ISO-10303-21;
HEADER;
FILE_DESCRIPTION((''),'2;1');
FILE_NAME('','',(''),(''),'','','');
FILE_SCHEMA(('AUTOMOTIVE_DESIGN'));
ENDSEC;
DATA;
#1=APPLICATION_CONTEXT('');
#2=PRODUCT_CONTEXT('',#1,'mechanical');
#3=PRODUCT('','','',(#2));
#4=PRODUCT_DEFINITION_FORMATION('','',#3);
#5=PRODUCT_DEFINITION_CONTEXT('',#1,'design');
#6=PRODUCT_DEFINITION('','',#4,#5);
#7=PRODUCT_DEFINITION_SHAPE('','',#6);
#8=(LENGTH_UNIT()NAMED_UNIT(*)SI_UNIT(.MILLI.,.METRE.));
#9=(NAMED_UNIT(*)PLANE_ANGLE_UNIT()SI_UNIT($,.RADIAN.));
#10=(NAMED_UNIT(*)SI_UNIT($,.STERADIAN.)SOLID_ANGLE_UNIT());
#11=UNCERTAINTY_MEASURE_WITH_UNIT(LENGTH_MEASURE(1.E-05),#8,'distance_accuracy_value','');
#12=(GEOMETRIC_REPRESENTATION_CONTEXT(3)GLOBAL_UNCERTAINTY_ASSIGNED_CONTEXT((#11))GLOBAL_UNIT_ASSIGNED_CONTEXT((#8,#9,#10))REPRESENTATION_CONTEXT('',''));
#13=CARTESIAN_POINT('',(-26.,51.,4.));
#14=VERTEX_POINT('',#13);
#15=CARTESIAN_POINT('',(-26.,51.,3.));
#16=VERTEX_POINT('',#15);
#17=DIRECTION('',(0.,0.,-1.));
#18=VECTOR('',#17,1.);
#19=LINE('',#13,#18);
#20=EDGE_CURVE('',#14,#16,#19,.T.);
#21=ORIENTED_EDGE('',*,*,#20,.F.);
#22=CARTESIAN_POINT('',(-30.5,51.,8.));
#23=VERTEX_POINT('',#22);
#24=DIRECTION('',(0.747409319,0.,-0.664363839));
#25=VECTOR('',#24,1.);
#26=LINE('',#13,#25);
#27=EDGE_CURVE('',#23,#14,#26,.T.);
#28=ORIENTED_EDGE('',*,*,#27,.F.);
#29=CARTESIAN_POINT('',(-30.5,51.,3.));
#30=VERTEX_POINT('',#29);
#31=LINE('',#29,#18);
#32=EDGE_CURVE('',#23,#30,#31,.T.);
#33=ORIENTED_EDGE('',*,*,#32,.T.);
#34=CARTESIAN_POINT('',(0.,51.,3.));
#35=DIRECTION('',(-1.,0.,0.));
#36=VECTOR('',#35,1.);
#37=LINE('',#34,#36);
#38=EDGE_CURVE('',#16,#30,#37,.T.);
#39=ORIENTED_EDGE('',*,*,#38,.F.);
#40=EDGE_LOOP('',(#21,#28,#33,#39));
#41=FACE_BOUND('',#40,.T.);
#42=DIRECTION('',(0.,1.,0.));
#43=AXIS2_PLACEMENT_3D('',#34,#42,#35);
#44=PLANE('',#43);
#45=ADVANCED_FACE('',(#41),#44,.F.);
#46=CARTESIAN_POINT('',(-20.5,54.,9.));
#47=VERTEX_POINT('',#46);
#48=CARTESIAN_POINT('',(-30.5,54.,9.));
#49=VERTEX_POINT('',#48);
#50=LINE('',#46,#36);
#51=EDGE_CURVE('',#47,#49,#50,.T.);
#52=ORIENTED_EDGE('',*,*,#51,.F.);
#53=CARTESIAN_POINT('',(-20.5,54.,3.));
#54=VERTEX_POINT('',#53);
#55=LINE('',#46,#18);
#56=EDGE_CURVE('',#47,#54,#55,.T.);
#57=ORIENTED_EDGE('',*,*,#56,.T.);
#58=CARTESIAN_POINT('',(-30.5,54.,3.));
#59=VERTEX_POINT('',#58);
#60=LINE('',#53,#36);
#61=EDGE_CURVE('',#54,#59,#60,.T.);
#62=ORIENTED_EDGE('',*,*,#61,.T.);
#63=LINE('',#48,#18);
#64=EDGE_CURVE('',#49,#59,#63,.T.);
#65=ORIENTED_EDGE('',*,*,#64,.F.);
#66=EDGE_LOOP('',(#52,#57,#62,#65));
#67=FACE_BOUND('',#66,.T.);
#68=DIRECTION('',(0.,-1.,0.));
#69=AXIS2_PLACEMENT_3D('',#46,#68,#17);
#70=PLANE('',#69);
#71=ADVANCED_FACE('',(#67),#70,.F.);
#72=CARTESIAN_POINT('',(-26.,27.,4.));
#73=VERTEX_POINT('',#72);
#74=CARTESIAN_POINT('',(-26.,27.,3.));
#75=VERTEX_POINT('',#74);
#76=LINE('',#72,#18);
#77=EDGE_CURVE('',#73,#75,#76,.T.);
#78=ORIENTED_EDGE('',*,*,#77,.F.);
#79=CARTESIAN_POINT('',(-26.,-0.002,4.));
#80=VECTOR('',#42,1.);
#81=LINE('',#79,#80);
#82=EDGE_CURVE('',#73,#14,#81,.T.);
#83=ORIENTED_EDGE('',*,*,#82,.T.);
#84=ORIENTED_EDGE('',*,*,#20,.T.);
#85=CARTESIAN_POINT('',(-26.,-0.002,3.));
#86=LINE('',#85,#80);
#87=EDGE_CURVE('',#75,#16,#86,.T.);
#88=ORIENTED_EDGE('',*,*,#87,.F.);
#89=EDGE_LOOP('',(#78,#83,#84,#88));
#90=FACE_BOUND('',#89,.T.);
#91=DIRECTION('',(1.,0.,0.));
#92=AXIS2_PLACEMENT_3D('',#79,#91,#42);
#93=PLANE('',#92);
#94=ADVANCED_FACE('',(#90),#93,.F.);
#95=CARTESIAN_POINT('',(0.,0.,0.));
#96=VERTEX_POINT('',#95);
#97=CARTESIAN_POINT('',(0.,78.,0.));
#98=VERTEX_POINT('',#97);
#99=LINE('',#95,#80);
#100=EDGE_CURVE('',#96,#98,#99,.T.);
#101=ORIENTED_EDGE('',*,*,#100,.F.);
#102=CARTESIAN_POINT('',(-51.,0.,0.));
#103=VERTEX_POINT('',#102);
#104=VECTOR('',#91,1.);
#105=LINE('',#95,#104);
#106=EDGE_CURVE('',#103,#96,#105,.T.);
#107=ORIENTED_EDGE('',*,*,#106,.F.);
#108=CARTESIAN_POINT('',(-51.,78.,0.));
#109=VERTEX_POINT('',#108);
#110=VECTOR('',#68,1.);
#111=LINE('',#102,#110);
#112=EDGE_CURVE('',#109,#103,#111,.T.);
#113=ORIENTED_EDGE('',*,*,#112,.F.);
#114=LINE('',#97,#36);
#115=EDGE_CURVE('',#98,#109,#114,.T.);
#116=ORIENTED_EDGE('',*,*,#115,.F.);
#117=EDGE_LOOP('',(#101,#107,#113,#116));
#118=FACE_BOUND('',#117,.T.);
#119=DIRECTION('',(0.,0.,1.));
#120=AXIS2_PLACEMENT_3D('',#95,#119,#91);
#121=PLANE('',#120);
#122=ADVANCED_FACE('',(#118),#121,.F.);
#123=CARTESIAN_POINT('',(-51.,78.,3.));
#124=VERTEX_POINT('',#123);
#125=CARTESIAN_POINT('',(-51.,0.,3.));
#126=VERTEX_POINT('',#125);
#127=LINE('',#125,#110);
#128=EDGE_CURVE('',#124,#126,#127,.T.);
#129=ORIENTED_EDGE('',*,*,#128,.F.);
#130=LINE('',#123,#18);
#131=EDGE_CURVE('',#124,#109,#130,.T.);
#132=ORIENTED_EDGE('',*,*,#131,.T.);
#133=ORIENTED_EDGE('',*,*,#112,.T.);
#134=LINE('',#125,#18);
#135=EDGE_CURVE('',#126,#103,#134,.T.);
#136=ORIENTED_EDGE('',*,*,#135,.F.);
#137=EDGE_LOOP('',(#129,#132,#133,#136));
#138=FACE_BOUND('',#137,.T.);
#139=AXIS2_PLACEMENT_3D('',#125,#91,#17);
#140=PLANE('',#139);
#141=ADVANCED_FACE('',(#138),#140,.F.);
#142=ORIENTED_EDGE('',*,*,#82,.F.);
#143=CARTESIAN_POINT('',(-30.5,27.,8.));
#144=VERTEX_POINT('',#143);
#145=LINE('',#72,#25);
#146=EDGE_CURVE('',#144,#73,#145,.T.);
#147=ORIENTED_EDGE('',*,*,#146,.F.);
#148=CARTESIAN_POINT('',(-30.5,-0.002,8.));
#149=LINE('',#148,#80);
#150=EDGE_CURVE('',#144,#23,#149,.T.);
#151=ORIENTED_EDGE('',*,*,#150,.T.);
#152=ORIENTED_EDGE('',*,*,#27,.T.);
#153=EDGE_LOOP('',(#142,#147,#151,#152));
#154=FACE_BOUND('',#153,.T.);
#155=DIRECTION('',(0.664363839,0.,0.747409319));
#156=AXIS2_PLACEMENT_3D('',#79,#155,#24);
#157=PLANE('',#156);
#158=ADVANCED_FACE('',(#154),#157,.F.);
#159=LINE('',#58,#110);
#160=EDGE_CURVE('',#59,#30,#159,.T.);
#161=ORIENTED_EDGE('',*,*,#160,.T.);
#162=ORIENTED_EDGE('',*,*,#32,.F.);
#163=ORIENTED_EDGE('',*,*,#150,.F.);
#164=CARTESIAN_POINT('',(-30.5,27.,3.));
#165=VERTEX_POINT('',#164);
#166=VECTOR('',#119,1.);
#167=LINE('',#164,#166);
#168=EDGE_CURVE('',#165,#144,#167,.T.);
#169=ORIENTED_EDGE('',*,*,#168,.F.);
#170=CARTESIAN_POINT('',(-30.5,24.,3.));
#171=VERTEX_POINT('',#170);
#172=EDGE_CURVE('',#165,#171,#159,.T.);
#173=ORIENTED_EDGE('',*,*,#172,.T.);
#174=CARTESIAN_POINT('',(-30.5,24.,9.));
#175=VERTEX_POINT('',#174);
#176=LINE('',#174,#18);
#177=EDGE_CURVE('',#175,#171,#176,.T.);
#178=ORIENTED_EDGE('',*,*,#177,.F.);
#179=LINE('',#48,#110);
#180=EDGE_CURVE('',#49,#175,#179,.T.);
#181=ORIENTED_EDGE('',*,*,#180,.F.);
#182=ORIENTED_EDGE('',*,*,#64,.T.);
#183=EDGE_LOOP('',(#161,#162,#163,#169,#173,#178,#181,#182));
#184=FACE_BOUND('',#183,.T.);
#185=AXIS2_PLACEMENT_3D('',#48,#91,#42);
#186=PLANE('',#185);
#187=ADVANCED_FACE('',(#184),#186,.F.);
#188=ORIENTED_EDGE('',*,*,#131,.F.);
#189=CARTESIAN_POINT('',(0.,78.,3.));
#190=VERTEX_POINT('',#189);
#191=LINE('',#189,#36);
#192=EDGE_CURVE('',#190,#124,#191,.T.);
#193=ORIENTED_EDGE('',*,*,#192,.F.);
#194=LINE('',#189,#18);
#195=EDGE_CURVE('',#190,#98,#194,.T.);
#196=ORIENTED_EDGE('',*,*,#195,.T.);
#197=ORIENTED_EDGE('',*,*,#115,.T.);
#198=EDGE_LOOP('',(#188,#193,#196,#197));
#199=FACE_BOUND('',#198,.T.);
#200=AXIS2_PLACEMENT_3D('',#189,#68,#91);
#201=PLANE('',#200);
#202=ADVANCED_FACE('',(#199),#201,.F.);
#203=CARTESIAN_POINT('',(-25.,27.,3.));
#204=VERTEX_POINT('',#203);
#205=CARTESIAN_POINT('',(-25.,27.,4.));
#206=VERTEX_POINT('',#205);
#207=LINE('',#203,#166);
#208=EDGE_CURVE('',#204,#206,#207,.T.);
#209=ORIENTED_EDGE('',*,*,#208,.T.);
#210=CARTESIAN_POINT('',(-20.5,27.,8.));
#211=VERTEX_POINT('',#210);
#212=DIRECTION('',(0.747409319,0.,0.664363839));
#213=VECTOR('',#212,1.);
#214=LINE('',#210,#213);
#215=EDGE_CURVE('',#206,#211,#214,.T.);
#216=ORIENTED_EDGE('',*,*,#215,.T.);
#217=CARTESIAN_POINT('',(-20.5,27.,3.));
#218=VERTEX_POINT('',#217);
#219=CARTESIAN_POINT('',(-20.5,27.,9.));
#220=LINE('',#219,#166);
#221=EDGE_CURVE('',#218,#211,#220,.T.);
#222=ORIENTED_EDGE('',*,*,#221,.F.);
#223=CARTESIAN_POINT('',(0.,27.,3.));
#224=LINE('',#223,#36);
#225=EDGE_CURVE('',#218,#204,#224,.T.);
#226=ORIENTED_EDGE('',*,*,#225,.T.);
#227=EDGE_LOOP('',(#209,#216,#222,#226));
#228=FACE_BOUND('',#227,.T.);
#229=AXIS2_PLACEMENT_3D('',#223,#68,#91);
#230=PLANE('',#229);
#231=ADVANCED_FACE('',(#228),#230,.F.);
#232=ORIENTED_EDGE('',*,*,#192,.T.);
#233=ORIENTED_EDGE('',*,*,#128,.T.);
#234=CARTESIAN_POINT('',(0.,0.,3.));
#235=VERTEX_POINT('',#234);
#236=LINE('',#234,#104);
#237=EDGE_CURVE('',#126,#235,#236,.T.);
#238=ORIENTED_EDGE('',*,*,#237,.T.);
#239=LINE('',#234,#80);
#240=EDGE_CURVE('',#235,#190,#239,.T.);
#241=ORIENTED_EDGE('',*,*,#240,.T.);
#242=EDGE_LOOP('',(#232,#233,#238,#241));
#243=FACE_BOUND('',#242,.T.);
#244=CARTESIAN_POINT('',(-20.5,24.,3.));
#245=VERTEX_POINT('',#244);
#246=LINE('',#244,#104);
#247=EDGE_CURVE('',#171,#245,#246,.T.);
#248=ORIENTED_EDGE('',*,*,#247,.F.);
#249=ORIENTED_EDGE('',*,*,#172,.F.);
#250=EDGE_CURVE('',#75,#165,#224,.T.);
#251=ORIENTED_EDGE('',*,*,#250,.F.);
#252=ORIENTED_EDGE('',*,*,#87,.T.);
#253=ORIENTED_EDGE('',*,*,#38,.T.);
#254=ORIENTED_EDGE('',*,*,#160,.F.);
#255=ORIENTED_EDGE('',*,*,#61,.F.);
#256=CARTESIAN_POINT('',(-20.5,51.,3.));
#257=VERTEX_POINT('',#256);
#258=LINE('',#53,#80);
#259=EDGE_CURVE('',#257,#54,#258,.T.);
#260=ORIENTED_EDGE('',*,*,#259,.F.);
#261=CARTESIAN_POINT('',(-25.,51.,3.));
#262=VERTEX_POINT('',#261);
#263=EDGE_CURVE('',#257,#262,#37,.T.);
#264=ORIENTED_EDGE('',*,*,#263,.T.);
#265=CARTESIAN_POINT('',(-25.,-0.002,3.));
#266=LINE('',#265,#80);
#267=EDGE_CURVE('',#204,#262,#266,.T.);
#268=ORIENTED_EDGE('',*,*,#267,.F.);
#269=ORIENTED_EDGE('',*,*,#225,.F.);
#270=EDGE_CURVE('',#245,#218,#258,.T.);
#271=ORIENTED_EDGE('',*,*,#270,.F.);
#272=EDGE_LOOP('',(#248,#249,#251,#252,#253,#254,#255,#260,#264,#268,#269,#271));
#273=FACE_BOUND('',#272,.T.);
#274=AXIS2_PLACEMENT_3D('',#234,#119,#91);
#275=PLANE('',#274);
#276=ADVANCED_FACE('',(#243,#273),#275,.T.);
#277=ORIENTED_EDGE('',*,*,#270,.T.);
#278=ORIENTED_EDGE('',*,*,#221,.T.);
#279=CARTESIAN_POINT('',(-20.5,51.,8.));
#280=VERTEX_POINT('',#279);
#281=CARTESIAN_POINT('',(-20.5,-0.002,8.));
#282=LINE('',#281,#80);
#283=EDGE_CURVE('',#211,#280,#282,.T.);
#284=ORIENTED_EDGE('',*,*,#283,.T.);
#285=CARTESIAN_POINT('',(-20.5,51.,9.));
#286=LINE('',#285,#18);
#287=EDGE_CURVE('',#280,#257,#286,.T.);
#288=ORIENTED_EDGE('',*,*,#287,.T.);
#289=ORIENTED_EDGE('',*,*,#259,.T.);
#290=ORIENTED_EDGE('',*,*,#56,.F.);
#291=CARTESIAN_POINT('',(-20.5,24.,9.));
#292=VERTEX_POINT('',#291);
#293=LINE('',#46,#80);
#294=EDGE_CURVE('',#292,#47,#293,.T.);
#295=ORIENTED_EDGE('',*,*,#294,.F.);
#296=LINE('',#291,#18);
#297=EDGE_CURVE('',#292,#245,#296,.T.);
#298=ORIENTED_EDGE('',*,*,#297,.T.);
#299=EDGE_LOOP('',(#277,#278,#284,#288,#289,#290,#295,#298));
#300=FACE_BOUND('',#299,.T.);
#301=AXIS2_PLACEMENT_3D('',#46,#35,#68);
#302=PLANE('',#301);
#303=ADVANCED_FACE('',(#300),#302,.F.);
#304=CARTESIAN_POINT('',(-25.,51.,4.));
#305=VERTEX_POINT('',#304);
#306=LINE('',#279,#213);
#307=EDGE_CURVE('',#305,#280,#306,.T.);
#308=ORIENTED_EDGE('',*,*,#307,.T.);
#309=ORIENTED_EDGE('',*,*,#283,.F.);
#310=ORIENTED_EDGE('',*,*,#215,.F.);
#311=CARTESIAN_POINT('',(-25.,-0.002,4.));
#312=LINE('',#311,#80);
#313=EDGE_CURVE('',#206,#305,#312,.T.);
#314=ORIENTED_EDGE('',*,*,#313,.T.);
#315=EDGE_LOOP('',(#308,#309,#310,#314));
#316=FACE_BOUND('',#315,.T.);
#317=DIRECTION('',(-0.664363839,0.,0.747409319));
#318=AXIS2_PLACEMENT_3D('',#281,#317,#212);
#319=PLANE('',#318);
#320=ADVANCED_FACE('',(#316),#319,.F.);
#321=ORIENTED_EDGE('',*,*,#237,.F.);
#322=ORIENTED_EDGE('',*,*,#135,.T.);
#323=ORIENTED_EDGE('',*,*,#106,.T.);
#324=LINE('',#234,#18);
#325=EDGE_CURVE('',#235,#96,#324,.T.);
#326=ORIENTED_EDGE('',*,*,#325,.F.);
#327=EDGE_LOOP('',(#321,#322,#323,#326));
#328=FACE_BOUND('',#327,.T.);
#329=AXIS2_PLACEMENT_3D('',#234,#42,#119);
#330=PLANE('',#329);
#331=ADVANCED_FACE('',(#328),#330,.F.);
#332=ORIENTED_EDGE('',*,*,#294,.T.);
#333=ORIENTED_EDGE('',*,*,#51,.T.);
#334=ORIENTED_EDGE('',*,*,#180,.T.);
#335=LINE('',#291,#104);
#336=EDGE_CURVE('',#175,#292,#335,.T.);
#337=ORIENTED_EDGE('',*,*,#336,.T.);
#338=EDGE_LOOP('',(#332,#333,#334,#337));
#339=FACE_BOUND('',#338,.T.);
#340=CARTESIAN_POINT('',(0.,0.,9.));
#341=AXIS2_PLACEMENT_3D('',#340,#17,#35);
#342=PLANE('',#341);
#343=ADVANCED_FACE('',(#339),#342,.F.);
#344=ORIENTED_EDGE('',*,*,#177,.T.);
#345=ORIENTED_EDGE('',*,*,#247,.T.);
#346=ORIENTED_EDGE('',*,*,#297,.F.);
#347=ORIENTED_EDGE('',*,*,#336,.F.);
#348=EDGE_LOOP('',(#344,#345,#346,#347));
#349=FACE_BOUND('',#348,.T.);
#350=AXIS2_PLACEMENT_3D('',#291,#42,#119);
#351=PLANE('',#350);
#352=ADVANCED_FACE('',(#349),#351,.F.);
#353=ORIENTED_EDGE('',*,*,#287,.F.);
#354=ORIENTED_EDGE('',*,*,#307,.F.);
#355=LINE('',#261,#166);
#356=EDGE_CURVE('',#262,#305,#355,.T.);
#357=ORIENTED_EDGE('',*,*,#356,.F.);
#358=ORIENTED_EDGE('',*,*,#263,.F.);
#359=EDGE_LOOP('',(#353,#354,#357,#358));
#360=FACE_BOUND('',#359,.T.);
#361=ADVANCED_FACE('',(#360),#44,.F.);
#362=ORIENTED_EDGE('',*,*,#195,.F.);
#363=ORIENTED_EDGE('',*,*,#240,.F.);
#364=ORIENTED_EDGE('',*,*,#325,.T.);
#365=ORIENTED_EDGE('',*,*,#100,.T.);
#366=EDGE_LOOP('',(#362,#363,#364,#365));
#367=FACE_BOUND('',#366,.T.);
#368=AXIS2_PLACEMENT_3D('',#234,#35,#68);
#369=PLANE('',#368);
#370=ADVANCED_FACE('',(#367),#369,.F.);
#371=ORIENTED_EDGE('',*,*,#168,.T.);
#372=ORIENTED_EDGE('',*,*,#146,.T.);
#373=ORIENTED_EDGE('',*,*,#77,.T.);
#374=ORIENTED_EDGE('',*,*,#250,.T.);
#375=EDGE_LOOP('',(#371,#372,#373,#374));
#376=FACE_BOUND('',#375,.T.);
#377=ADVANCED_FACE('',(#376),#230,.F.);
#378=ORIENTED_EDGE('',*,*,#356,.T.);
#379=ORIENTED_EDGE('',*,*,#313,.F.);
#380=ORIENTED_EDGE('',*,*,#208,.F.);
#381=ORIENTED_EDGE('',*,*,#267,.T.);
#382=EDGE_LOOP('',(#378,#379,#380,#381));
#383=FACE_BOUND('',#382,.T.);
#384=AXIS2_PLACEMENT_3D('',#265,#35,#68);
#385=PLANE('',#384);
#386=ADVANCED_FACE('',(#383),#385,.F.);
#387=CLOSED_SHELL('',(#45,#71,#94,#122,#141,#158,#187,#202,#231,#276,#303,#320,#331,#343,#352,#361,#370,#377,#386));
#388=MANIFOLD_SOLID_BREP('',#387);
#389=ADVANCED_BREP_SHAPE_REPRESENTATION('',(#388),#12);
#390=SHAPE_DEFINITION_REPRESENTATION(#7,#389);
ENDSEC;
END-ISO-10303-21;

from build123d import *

# Parameters (mm, degrees)
SKETCH1_W           = 51
SKETCH1_H           = 78
BOSS_EXTRUDE1_DEPTH = 3
SKETCH2_W           = 10
SKETCH2_H           = 30
BOSS_EXTRUDE3_DEPTH = 6
SKETCH3_W           = 6
SKETCH3_H           = 24
CUT_EXTRUDE1_DEPTH  = 31.5
BOSS_EXTRUDE4_REACH = 53


with BuildPart() as part:
    # Sketch1 → Boss-Extrude1 (new body)
    with BuildSketch(Plane.XY):
        with Locations((-25.5, 39)):
            Rectangle(SKETCH1_W, SKETCH1_H)
    extrude(amount=BOSS_EXTRUDE1_DEPTH)

    # Sketch2 → Boss-Extrude3 (add)
    with BuildSketch(Plane.XY.offset(3)):
        with Locations((-25.5, 39)):
            Rectangle(SKETCH2_W, SKETCH2_H)
    extrude(amount=BOSS_EXTRUDE3_DEPTH)

    # Sketch3 → Cut-Extrude1 (cut, through all)
    with BuildSketch(Plane.ZY.offset(30.5)):
        with Locations((6, 39)):
            Rectangle(SKETCH3_W, SKETCH3_H)
    extrude(amount=-CUT_EXTRUDE1_DEPTH, mode=Mode.SUBTRACT)

    # Sketch5 → Boss-Extrude4 (add, up to next)
    with BuildSketch(Plane.XZ.offset(-51), mode=Mode.PRIVATE) as boss_extrude4_sk1:
        Polygon((-30.5, 9), (-20.5, 9), (-20.5, 8), (-25, 4), (-25, 3), (-26, 3), (-26, 4), (-30.5, 8), align=None)
    boss_extrude4_tool1 = extrude(boss_extrude4_sk1.sketch, amount=BOSS_EXTRUDE4_REACH, mode=Mode.PRIVATE) - part.part
    add(boss_extrude4_tool1.solids().sort_by_distance((-25.5, 51, 7.045455))[0])


solid = part.part
